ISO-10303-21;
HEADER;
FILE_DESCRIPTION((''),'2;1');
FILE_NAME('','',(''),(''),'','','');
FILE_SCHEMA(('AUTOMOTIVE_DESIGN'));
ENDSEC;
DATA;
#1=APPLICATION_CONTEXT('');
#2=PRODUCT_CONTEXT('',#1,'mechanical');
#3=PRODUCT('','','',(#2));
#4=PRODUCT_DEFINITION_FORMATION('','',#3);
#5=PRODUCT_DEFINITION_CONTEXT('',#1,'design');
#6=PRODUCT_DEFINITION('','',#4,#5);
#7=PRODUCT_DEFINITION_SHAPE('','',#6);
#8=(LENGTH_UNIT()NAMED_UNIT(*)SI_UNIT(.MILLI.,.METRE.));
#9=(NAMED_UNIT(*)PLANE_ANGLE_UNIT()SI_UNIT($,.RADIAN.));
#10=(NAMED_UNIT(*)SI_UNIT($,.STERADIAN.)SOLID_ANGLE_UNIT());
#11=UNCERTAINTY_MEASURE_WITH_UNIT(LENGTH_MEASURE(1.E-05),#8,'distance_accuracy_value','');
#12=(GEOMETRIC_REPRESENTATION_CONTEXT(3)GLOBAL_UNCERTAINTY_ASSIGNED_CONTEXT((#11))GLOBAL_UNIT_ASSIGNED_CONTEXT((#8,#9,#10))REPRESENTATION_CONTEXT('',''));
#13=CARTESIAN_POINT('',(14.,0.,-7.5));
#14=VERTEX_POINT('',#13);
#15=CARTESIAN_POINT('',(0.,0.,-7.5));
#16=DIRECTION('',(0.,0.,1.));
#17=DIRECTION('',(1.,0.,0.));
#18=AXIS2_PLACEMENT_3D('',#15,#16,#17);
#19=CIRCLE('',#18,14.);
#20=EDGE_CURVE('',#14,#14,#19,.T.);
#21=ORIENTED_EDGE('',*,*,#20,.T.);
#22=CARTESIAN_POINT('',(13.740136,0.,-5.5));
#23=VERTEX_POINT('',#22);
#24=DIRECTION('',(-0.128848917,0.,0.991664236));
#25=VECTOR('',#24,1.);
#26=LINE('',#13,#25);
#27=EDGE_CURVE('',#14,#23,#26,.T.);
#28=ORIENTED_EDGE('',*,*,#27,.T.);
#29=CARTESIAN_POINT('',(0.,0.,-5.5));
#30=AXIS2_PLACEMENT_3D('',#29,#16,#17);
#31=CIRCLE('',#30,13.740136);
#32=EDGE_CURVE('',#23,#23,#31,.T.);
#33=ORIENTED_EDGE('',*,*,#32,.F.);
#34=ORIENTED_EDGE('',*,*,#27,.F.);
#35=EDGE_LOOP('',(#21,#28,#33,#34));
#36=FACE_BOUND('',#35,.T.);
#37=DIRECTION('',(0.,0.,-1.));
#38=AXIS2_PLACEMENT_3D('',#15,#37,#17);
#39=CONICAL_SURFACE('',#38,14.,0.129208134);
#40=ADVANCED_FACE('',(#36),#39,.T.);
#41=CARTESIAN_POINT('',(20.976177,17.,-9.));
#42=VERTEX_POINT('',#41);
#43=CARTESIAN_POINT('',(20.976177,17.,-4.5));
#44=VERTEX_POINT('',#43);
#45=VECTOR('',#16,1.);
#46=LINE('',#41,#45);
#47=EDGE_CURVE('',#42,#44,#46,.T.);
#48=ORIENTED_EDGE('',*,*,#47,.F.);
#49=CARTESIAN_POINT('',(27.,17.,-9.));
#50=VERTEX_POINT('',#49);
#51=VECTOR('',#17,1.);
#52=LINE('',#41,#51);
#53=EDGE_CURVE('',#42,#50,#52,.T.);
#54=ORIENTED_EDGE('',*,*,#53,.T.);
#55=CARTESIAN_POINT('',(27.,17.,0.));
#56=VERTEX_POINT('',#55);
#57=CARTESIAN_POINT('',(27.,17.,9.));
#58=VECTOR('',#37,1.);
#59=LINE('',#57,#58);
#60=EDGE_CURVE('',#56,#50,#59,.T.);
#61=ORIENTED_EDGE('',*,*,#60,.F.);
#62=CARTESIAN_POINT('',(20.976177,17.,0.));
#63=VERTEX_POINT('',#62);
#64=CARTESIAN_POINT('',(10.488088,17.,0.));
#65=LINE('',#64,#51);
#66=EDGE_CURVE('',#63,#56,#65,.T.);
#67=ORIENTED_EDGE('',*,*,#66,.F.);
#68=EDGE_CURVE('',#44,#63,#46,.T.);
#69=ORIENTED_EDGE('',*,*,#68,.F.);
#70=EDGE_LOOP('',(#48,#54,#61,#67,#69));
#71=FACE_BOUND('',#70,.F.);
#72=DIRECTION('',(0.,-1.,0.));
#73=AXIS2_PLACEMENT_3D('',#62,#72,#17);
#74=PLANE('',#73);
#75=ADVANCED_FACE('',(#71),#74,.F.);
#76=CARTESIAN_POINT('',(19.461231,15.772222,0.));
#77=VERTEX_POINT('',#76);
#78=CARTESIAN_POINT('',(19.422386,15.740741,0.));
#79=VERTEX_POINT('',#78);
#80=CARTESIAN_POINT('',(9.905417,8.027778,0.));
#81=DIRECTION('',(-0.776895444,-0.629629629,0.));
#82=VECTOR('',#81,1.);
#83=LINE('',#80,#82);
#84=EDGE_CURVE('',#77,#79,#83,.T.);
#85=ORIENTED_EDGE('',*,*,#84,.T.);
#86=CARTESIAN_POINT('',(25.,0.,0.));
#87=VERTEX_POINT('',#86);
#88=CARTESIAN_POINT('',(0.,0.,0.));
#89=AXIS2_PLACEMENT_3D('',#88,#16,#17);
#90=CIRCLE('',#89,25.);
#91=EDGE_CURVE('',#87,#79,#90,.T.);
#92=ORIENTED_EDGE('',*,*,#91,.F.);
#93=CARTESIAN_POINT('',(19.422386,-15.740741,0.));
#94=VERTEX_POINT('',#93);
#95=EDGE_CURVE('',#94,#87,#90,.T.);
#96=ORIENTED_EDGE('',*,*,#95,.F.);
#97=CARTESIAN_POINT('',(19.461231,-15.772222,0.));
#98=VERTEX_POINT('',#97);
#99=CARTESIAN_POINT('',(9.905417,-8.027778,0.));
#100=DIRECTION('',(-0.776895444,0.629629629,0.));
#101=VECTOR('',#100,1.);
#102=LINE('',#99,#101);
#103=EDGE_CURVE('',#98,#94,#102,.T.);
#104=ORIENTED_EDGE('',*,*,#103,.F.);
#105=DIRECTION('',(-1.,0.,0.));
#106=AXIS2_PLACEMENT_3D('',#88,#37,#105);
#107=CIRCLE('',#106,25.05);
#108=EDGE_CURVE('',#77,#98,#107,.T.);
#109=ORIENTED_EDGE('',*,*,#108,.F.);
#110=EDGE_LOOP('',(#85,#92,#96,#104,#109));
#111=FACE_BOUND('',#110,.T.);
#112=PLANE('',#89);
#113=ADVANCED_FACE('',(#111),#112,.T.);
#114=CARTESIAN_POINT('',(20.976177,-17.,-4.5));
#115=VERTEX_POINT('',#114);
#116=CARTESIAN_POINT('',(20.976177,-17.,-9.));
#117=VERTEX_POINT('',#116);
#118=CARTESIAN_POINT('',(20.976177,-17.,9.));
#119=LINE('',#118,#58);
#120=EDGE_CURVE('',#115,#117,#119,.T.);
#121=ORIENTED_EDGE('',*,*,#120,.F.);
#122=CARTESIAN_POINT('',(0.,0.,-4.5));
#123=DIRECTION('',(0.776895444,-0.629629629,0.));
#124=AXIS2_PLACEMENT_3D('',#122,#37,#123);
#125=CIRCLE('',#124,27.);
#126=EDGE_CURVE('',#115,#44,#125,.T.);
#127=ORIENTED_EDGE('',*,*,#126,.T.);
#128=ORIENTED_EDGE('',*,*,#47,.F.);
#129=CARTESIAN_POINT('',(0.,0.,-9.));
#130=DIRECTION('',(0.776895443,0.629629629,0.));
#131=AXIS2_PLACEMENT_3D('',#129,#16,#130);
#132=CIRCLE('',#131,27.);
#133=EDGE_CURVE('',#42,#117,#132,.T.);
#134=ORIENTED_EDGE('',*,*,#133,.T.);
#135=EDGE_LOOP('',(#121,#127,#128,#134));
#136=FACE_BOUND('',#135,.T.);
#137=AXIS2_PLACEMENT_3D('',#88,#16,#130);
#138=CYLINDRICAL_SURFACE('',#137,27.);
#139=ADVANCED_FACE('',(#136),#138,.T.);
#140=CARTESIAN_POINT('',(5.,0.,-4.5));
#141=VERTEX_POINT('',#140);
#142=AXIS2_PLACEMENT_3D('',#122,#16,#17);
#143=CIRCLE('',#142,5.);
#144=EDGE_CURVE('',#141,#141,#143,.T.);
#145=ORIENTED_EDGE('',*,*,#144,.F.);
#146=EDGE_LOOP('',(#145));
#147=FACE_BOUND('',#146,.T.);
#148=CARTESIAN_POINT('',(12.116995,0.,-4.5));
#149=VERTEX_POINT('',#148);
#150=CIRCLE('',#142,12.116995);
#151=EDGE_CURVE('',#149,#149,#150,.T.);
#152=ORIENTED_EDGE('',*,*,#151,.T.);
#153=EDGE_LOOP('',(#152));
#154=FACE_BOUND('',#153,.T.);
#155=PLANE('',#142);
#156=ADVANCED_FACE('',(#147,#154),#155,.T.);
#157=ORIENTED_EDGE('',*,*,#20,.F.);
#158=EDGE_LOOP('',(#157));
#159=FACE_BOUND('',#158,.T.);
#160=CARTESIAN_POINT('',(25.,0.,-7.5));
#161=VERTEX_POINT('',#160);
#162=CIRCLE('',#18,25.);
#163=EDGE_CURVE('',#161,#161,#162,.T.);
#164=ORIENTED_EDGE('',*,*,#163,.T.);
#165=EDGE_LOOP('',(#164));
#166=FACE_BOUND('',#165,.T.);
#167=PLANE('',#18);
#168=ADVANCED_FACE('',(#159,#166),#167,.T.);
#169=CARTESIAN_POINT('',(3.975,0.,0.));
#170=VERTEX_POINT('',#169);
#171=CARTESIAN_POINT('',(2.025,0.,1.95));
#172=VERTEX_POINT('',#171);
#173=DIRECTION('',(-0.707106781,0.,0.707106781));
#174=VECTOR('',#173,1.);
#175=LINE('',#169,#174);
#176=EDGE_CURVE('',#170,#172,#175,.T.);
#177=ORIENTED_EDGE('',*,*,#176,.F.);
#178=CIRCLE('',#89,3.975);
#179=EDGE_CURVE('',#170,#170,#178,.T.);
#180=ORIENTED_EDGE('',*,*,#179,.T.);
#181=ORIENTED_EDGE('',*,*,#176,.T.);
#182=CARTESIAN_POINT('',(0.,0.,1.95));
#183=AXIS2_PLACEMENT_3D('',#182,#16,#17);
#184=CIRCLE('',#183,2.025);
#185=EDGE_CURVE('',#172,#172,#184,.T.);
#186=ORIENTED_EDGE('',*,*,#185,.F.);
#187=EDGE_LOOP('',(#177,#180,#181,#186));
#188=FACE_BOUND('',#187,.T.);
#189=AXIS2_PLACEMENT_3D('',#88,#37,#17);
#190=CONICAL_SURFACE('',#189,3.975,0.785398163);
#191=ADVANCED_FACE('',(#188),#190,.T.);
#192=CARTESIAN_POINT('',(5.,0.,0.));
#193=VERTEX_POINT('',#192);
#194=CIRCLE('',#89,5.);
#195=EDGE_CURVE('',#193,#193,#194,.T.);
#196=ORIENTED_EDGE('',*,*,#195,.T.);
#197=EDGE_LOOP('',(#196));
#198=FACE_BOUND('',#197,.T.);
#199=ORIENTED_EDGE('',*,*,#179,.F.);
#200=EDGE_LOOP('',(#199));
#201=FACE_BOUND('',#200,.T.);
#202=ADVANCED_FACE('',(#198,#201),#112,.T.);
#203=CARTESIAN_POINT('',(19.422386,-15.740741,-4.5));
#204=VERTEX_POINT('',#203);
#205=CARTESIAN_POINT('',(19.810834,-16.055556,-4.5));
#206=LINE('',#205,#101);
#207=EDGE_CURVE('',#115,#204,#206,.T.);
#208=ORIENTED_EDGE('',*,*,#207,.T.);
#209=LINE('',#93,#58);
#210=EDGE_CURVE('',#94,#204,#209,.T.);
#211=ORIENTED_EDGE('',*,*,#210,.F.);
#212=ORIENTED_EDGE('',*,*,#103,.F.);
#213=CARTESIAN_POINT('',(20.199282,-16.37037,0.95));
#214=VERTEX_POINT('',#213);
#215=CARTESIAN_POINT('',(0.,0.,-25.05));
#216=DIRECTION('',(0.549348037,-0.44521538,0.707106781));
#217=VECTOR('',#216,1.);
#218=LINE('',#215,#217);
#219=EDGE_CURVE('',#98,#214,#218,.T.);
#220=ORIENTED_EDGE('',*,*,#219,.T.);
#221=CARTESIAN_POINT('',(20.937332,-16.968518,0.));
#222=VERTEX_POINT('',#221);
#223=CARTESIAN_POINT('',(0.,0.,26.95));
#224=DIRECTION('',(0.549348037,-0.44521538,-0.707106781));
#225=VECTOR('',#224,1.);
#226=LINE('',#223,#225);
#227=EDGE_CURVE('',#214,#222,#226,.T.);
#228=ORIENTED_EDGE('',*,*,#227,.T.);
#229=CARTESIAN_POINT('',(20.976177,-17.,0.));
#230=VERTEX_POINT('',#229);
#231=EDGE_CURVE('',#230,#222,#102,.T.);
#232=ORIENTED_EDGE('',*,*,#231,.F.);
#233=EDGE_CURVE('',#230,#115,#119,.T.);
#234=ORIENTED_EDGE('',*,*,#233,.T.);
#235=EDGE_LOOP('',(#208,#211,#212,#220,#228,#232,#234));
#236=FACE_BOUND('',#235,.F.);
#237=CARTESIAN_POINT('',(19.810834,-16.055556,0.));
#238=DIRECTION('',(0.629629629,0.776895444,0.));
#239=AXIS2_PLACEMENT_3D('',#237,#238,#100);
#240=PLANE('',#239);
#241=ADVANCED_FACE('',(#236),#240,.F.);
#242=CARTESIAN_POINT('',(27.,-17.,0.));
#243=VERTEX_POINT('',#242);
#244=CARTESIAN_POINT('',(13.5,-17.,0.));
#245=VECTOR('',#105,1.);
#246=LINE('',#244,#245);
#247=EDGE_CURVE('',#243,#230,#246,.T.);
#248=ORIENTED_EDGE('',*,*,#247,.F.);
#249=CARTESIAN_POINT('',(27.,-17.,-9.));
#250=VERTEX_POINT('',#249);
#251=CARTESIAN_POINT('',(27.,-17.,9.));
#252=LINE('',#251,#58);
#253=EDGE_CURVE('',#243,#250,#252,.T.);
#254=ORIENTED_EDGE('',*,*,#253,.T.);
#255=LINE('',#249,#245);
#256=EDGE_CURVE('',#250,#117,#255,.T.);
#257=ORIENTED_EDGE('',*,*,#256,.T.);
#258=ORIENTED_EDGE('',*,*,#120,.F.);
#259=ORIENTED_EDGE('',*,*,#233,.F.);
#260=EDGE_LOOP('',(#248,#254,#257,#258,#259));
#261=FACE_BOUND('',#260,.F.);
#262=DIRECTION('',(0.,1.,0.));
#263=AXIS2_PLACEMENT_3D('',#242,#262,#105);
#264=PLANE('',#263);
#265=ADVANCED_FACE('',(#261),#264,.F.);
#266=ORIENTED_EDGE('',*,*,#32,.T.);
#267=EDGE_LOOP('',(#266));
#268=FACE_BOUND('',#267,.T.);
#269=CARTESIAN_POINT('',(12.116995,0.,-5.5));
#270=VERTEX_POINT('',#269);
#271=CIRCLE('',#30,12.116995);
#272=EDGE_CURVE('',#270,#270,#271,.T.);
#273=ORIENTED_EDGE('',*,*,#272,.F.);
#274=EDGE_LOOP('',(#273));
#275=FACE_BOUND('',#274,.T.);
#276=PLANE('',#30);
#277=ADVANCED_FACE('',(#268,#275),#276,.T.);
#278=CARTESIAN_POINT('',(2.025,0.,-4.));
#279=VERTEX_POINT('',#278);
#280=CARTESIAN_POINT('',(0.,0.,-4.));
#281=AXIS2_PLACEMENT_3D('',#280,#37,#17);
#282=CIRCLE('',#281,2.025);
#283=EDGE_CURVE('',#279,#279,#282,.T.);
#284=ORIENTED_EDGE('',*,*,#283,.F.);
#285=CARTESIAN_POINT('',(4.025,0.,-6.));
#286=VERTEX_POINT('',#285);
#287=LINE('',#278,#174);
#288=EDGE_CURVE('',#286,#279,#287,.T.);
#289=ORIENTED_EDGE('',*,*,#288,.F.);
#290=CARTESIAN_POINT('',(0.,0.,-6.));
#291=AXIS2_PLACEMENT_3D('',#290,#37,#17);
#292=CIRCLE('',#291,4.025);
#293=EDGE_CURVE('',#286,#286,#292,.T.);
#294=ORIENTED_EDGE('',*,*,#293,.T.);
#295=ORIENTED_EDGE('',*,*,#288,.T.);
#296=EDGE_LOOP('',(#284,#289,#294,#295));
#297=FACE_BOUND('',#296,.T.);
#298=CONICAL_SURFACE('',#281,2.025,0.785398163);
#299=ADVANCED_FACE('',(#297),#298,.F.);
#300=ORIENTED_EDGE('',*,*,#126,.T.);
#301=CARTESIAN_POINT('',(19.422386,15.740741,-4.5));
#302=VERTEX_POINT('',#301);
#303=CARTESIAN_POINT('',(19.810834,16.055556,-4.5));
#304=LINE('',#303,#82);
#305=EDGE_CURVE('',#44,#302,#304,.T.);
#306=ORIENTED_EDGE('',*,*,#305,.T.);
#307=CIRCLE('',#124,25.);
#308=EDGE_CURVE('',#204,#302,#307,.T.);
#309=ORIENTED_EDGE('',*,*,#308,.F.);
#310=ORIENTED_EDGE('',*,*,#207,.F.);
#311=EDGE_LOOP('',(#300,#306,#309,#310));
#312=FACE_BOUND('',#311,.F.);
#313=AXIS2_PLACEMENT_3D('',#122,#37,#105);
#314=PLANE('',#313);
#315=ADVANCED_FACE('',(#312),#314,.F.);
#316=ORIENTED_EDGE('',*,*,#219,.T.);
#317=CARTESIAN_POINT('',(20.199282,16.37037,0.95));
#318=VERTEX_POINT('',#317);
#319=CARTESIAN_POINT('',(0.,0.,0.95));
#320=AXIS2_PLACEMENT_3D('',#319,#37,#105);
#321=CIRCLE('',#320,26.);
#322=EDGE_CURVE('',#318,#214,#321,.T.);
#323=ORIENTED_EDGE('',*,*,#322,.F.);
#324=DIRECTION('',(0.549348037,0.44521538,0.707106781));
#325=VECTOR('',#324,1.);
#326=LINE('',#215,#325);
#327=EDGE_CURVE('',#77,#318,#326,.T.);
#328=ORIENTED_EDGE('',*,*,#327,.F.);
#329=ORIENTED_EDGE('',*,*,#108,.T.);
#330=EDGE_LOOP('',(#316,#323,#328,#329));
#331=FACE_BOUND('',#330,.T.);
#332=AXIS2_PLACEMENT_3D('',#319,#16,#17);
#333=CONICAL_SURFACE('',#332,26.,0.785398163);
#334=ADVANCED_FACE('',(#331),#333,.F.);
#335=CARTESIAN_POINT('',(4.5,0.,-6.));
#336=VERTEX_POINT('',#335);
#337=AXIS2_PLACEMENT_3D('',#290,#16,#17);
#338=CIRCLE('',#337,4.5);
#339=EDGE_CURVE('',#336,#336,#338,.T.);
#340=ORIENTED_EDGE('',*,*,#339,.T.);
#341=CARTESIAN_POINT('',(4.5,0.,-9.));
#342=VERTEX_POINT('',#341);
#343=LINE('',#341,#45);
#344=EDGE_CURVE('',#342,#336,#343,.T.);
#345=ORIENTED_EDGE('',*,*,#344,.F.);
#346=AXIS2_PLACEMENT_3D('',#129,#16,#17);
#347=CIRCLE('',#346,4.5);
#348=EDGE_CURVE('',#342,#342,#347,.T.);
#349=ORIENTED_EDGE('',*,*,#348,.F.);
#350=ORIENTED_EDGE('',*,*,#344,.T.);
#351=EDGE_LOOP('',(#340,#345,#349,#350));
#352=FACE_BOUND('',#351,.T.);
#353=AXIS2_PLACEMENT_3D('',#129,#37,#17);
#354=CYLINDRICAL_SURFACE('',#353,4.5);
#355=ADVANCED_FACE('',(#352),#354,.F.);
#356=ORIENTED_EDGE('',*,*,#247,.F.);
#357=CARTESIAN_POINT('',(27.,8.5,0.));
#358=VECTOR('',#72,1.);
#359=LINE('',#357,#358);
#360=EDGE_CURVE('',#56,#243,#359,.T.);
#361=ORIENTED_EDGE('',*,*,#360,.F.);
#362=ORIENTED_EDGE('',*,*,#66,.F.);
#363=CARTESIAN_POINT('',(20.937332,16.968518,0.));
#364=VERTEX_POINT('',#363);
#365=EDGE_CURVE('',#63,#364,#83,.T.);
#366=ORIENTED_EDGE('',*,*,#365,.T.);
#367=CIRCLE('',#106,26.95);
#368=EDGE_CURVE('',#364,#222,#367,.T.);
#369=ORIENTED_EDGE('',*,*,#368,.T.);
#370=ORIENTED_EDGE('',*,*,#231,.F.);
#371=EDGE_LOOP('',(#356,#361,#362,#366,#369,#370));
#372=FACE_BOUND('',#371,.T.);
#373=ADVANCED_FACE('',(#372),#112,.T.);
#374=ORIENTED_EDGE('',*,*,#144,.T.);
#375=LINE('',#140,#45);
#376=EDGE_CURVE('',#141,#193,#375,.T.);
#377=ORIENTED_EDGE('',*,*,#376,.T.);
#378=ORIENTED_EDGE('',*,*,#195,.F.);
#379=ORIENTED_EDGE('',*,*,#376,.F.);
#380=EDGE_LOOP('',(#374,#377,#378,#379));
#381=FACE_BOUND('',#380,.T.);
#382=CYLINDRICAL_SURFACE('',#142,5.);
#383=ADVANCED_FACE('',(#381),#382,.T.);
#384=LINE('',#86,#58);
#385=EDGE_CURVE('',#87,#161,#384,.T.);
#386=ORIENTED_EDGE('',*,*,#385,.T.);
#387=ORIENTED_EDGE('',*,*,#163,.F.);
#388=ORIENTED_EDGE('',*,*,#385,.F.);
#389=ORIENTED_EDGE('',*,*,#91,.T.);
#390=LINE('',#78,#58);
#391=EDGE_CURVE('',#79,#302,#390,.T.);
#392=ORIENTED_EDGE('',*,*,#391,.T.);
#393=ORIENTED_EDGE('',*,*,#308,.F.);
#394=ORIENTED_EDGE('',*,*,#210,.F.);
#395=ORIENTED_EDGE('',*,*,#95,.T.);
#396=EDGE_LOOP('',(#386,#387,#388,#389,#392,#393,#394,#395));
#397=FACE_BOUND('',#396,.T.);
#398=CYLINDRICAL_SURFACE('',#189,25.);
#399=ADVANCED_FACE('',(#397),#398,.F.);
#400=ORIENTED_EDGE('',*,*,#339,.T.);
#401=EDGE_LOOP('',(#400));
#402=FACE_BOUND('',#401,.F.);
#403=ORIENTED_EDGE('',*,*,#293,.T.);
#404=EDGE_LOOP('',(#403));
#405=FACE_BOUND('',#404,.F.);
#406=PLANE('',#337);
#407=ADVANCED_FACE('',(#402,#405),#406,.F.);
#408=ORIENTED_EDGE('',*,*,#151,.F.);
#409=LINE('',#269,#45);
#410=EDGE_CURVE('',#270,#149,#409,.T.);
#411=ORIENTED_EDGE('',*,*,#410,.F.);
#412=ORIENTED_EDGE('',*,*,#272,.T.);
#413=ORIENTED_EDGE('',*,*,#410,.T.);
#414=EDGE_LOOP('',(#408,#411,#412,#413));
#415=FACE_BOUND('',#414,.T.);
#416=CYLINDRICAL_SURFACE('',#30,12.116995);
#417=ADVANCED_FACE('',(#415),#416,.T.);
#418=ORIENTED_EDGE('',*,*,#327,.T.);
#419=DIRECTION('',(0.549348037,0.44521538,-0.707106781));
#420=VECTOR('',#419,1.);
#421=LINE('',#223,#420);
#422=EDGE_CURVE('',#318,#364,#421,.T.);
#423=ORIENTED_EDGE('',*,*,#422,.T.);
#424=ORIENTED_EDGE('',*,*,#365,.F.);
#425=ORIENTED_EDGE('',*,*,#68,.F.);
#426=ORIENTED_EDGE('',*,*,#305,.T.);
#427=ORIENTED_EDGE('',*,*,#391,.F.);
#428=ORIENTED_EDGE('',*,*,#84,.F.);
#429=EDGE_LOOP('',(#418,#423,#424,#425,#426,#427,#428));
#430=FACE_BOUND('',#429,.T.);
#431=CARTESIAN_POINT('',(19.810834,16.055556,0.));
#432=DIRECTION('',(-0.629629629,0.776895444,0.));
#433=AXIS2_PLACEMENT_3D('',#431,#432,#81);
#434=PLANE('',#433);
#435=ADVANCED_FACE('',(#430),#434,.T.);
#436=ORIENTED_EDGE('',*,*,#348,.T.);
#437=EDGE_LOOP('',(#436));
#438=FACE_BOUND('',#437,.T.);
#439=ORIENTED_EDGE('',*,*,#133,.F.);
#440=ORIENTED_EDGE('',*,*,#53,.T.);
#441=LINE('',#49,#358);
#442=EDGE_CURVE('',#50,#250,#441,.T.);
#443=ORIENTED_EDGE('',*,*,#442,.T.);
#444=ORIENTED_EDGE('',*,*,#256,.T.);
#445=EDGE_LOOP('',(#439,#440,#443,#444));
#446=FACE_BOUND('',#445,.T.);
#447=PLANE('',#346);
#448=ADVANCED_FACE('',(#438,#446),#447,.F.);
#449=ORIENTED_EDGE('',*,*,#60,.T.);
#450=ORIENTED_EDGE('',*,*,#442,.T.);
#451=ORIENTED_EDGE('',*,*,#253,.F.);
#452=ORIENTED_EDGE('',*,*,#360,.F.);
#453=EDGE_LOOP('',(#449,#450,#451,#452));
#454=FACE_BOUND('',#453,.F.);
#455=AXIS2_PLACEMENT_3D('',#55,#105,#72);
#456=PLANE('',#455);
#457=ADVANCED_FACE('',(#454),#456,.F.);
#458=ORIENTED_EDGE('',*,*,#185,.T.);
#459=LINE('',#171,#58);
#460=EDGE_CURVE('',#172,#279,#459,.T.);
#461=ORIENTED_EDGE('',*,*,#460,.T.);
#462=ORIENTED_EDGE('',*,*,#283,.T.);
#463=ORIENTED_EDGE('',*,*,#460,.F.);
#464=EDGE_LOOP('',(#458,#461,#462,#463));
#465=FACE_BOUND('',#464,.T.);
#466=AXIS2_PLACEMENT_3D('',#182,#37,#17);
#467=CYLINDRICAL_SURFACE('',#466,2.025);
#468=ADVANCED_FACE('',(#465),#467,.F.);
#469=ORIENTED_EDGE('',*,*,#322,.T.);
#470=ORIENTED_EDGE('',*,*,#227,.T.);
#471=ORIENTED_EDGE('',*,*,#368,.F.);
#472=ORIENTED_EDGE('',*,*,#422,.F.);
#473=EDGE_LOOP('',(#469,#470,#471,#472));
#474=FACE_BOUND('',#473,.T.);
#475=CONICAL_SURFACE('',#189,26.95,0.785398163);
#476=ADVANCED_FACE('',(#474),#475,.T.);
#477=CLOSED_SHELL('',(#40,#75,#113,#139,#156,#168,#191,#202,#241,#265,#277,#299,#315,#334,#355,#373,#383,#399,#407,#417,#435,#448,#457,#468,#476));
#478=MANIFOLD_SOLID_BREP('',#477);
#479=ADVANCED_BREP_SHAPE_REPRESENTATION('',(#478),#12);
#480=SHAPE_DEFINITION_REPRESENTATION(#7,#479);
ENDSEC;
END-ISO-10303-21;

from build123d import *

# Parameters (mm, degrees)
SKETCH009_R     = 70.710678
POCKET004_DEPTH = 9
SKETCH010_R     = 4.5
POCKET005_DEPTH = 3
CHAMFER003_SIZE = 2
SKETCH013_W     = 3
SKETCH013_H     = 9
GROOVE002_ANGLE = 281.954395


with BuildPart() as part:
    # Sketch008 → Revolution002 (revolve)
    with BuildSketch(Plane.XZ):
        Polygon((70.710678, 0), (26.95, 0), (26, 0.95), (25.05, 0), (25, 0), (25, -7.5), (14, -7.5), (13.740136, -5.5), (12.116995, -5.5), (12.116995, -4.5), (5, -4.5), (5, 0), (3.975, 0), (2.025, 1.95), (2.025, -9), (70.710678, -9), align=None)
    revolve(axis=Axis((0, 0, 0), (0, 0, 1)))

    # Sketch012 → Revolution004 (revolve)
    with BuildSketch(Plane.XZ):
        Polygon((31.6, 1.95), (33.6, 1.95), (35.55, 0), (31.6, 0), align=None)
    revolve(axis=Axis((31.6, 0, 13.931554), (0, 0, -1)))

    # Sketch011 → Revolution003 (revolve)
    with BuildSketch(Plane.XZ):
        Polygon((42, 0), (42, 1.95), (44, 1.95), (45.95, 0), align=None)
    revolve(axis=Axis((42, 0, 13.737844), (0, 0, -1)))

    # Sketch009 → Pocket004 (cut, symmetric)
    with BuildSketch(Plane.XY):
        Circle(SKETCH009_R)
        with BuildLine():
            Line((20.976177, 17), (27, 17))
            Line((27, 17), (27, -17))
            Line((27, -17), (20.976177, -17))
            ThreePointArc((20.976177, 17), (-27, 0), (20.976177, -17))
        make_face(mode=Mode.SUBTRACT)
    extrude(amount=POCKET004_DEPTH, both=True, mode=Mode.SUBTRACT)

    # Sketch010 → Pocket005 (cut)
    with BuildSketch(Plane.XY.offset(-9)):
        Circle(SKETCH010_R)
    extrude(amount=POCKET005_DEPTH, mode=Mode.SUBTRACT)

    # Chamfer003
    chamfer003_edges = [part.edges().sort_by_distance(p)[0] for p in [
        (-2.025, 0, -6),
    ]]
    chamfer(chamfer003_edges, length=CHAMFER003_SIZE)

    # Sketch013 → Groove002 (revolve, symmetric, cut)
    with BuildSketch(Plane.XZ) as groove002_sk:
        with Locations((-25.5, 0)):
            Rectangle(SKETCH013_W, SKETCH013_H)
    revolve(axis=Axis((0, 0, 0), (0, 0, 1)), revolution_arc=GROOVE002_ANGLE / 2, mode=Mode.SUBTRACT)
    revolve(groove002_sk.sketch, axis=Axis((0, 0, 0), (0, 0, -1)), revolution_arc=GROOVE002_ANGLE / 2, mode=Mode.SUBTRACT)

    # Sketch017 → Groove004 (revolve, cut)
    with BuildSketch(Plane.XZ):
        Polygon((42, -7), (44, -7), (46, -9), (42, -9), align=None)
    revolve(axis=Axis((42, 0, 18.984909), (0, 0, -1)), mode=Mode.SUBTRACT)

    # Sketch018 → Groove005 (revolve, cut)
    with BuildSketch(Plane.XZ):
        Polygon((31.6, -7), (33.6, -7), (35.6, -9), (31.6, -9), align=None)
    revolve(axis=Axis((31.6, 0, 19.891285), (0, 0, -1)), mode=Mode.SUBTRACT)


solid = part.part
